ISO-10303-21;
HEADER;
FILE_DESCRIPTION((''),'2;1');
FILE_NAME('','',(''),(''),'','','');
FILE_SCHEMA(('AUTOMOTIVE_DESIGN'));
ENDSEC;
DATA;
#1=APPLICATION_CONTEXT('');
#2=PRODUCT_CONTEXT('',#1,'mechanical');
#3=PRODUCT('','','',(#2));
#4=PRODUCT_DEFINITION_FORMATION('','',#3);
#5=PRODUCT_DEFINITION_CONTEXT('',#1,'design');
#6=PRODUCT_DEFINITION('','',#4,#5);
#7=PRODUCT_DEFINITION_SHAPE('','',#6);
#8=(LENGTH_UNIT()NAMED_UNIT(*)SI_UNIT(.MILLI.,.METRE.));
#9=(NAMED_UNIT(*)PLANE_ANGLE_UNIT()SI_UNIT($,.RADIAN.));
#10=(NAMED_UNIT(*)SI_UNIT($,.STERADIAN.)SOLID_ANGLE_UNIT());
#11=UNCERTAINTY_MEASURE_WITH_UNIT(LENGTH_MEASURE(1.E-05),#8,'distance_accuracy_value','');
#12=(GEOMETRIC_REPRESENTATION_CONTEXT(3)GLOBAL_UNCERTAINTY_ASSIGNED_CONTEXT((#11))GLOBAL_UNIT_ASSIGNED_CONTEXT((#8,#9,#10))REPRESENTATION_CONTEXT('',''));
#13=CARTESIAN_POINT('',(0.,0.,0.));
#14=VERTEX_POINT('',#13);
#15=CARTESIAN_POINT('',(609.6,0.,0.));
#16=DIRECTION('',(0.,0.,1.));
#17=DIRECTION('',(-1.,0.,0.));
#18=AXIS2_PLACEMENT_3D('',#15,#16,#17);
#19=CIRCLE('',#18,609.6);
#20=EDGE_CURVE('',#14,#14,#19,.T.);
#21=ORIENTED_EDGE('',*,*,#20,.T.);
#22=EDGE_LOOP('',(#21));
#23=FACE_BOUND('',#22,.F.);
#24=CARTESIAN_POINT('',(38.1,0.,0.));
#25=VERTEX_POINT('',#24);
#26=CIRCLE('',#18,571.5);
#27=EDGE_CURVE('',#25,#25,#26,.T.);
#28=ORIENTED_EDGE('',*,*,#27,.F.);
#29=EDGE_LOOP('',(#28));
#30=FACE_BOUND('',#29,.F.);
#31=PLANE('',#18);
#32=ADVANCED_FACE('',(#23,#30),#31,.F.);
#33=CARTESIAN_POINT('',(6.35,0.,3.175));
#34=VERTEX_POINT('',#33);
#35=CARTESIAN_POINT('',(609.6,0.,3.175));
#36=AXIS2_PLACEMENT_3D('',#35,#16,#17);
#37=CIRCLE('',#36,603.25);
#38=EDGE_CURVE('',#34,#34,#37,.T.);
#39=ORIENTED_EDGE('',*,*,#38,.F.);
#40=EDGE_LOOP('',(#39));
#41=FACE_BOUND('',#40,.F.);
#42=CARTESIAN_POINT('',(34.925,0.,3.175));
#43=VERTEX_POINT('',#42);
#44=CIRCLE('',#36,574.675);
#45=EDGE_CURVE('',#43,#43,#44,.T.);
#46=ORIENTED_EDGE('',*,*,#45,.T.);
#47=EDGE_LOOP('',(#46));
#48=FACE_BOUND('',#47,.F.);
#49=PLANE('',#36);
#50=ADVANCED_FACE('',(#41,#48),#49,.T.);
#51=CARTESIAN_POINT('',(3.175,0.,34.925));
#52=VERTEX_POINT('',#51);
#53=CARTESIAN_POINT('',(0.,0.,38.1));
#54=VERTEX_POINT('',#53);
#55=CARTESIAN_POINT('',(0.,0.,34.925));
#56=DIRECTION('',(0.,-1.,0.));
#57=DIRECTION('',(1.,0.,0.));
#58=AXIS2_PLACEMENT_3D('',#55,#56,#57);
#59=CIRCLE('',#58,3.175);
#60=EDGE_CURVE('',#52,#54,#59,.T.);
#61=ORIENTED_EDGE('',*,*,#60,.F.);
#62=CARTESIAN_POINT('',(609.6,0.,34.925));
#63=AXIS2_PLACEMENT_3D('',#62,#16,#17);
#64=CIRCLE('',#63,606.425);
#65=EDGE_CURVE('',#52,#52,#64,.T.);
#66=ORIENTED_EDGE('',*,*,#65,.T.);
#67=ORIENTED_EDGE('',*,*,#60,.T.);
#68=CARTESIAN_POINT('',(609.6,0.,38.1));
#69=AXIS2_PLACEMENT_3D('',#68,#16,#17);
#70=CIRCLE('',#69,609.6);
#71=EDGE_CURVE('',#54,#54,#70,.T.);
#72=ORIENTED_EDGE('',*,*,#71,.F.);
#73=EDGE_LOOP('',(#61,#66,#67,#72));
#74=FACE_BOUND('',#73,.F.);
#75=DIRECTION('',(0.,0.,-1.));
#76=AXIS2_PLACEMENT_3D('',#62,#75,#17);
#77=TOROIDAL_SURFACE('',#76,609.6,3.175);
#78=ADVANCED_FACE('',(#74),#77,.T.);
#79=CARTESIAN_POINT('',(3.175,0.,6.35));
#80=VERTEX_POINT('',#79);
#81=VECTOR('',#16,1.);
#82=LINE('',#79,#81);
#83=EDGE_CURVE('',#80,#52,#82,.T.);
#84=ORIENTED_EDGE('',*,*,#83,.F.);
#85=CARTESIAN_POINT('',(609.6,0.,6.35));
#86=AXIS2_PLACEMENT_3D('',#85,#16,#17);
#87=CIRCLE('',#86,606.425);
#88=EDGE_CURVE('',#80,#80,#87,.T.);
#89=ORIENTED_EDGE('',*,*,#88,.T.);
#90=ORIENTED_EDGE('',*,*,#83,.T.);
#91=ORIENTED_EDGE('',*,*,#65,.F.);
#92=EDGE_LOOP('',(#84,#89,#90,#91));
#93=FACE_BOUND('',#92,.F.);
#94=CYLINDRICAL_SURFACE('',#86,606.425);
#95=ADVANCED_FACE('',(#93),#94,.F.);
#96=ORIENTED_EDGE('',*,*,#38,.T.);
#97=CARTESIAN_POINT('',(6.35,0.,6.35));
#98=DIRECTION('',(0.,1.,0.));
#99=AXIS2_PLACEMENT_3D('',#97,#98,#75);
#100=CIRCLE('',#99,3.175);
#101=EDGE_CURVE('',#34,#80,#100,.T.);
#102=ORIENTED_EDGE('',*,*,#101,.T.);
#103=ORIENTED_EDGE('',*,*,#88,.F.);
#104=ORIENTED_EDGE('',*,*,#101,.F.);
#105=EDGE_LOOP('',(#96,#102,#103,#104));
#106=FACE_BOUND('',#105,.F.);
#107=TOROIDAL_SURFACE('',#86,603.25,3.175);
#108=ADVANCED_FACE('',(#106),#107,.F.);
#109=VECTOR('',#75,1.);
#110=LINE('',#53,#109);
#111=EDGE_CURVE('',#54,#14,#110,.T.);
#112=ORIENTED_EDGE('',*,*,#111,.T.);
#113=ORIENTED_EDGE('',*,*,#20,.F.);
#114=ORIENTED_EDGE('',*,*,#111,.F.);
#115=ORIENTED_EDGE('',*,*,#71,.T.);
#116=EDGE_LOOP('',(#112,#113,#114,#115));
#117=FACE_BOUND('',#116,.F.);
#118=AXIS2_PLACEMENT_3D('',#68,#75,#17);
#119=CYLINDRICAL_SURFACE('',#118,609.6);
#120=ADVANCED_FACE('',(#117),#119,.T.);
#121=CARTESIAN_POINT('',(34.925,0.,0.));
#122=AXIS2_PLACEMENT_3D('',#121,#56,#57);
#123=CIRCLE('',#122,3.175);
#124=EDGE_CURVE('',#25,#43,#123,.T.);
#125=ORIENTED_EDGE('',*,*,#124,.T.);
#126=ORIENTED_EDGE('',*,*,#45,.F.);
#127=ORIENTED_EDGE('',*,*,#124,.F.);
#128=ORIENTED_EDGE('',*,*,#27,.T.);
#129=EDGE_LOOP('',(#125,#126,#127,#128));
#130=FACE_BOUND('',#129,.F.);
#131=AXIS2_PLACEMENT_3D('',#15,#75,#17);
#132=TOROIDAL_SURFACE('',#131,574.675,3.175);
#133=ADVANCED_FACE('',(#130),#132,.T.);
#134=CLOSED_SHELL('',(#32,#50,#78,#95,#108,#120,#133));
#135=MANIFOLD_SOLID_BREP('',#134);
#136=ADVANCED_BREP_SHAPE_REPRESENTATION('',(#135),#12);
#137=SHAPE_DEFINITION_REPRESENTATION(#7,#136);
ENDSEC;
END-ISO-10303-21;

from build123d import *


with BuildPart() as f2:
    # F0 (on Front) → F2 (revolve)
    with BuildSketch(Plane.XZ):
        with BuildLine():
            ThreePointArc((3.175, 34.925), (2.2450640303, 37.1700640303), (0, 38.1))
            Line((0, 38.1), (0, 0))
            Line((0, 0), (38.1, 0))
            ThreePointArc((38.1, 0), (37.1700640303, 2.2450640303), (34.925, 3.175))
            Line((34.925, 3.175), (6.35, 3.175))
            ThreePointArc((6.35, 3.175), (4.1049359697, 4.1049359697), (3.175, 6.35))
            Line((3.175, 6.35), (3.175, 34.925))
        make_face()
    revolve(axis=Axis((609.6, 0, 0), (0, 0, 1)))


solid = f2.part
